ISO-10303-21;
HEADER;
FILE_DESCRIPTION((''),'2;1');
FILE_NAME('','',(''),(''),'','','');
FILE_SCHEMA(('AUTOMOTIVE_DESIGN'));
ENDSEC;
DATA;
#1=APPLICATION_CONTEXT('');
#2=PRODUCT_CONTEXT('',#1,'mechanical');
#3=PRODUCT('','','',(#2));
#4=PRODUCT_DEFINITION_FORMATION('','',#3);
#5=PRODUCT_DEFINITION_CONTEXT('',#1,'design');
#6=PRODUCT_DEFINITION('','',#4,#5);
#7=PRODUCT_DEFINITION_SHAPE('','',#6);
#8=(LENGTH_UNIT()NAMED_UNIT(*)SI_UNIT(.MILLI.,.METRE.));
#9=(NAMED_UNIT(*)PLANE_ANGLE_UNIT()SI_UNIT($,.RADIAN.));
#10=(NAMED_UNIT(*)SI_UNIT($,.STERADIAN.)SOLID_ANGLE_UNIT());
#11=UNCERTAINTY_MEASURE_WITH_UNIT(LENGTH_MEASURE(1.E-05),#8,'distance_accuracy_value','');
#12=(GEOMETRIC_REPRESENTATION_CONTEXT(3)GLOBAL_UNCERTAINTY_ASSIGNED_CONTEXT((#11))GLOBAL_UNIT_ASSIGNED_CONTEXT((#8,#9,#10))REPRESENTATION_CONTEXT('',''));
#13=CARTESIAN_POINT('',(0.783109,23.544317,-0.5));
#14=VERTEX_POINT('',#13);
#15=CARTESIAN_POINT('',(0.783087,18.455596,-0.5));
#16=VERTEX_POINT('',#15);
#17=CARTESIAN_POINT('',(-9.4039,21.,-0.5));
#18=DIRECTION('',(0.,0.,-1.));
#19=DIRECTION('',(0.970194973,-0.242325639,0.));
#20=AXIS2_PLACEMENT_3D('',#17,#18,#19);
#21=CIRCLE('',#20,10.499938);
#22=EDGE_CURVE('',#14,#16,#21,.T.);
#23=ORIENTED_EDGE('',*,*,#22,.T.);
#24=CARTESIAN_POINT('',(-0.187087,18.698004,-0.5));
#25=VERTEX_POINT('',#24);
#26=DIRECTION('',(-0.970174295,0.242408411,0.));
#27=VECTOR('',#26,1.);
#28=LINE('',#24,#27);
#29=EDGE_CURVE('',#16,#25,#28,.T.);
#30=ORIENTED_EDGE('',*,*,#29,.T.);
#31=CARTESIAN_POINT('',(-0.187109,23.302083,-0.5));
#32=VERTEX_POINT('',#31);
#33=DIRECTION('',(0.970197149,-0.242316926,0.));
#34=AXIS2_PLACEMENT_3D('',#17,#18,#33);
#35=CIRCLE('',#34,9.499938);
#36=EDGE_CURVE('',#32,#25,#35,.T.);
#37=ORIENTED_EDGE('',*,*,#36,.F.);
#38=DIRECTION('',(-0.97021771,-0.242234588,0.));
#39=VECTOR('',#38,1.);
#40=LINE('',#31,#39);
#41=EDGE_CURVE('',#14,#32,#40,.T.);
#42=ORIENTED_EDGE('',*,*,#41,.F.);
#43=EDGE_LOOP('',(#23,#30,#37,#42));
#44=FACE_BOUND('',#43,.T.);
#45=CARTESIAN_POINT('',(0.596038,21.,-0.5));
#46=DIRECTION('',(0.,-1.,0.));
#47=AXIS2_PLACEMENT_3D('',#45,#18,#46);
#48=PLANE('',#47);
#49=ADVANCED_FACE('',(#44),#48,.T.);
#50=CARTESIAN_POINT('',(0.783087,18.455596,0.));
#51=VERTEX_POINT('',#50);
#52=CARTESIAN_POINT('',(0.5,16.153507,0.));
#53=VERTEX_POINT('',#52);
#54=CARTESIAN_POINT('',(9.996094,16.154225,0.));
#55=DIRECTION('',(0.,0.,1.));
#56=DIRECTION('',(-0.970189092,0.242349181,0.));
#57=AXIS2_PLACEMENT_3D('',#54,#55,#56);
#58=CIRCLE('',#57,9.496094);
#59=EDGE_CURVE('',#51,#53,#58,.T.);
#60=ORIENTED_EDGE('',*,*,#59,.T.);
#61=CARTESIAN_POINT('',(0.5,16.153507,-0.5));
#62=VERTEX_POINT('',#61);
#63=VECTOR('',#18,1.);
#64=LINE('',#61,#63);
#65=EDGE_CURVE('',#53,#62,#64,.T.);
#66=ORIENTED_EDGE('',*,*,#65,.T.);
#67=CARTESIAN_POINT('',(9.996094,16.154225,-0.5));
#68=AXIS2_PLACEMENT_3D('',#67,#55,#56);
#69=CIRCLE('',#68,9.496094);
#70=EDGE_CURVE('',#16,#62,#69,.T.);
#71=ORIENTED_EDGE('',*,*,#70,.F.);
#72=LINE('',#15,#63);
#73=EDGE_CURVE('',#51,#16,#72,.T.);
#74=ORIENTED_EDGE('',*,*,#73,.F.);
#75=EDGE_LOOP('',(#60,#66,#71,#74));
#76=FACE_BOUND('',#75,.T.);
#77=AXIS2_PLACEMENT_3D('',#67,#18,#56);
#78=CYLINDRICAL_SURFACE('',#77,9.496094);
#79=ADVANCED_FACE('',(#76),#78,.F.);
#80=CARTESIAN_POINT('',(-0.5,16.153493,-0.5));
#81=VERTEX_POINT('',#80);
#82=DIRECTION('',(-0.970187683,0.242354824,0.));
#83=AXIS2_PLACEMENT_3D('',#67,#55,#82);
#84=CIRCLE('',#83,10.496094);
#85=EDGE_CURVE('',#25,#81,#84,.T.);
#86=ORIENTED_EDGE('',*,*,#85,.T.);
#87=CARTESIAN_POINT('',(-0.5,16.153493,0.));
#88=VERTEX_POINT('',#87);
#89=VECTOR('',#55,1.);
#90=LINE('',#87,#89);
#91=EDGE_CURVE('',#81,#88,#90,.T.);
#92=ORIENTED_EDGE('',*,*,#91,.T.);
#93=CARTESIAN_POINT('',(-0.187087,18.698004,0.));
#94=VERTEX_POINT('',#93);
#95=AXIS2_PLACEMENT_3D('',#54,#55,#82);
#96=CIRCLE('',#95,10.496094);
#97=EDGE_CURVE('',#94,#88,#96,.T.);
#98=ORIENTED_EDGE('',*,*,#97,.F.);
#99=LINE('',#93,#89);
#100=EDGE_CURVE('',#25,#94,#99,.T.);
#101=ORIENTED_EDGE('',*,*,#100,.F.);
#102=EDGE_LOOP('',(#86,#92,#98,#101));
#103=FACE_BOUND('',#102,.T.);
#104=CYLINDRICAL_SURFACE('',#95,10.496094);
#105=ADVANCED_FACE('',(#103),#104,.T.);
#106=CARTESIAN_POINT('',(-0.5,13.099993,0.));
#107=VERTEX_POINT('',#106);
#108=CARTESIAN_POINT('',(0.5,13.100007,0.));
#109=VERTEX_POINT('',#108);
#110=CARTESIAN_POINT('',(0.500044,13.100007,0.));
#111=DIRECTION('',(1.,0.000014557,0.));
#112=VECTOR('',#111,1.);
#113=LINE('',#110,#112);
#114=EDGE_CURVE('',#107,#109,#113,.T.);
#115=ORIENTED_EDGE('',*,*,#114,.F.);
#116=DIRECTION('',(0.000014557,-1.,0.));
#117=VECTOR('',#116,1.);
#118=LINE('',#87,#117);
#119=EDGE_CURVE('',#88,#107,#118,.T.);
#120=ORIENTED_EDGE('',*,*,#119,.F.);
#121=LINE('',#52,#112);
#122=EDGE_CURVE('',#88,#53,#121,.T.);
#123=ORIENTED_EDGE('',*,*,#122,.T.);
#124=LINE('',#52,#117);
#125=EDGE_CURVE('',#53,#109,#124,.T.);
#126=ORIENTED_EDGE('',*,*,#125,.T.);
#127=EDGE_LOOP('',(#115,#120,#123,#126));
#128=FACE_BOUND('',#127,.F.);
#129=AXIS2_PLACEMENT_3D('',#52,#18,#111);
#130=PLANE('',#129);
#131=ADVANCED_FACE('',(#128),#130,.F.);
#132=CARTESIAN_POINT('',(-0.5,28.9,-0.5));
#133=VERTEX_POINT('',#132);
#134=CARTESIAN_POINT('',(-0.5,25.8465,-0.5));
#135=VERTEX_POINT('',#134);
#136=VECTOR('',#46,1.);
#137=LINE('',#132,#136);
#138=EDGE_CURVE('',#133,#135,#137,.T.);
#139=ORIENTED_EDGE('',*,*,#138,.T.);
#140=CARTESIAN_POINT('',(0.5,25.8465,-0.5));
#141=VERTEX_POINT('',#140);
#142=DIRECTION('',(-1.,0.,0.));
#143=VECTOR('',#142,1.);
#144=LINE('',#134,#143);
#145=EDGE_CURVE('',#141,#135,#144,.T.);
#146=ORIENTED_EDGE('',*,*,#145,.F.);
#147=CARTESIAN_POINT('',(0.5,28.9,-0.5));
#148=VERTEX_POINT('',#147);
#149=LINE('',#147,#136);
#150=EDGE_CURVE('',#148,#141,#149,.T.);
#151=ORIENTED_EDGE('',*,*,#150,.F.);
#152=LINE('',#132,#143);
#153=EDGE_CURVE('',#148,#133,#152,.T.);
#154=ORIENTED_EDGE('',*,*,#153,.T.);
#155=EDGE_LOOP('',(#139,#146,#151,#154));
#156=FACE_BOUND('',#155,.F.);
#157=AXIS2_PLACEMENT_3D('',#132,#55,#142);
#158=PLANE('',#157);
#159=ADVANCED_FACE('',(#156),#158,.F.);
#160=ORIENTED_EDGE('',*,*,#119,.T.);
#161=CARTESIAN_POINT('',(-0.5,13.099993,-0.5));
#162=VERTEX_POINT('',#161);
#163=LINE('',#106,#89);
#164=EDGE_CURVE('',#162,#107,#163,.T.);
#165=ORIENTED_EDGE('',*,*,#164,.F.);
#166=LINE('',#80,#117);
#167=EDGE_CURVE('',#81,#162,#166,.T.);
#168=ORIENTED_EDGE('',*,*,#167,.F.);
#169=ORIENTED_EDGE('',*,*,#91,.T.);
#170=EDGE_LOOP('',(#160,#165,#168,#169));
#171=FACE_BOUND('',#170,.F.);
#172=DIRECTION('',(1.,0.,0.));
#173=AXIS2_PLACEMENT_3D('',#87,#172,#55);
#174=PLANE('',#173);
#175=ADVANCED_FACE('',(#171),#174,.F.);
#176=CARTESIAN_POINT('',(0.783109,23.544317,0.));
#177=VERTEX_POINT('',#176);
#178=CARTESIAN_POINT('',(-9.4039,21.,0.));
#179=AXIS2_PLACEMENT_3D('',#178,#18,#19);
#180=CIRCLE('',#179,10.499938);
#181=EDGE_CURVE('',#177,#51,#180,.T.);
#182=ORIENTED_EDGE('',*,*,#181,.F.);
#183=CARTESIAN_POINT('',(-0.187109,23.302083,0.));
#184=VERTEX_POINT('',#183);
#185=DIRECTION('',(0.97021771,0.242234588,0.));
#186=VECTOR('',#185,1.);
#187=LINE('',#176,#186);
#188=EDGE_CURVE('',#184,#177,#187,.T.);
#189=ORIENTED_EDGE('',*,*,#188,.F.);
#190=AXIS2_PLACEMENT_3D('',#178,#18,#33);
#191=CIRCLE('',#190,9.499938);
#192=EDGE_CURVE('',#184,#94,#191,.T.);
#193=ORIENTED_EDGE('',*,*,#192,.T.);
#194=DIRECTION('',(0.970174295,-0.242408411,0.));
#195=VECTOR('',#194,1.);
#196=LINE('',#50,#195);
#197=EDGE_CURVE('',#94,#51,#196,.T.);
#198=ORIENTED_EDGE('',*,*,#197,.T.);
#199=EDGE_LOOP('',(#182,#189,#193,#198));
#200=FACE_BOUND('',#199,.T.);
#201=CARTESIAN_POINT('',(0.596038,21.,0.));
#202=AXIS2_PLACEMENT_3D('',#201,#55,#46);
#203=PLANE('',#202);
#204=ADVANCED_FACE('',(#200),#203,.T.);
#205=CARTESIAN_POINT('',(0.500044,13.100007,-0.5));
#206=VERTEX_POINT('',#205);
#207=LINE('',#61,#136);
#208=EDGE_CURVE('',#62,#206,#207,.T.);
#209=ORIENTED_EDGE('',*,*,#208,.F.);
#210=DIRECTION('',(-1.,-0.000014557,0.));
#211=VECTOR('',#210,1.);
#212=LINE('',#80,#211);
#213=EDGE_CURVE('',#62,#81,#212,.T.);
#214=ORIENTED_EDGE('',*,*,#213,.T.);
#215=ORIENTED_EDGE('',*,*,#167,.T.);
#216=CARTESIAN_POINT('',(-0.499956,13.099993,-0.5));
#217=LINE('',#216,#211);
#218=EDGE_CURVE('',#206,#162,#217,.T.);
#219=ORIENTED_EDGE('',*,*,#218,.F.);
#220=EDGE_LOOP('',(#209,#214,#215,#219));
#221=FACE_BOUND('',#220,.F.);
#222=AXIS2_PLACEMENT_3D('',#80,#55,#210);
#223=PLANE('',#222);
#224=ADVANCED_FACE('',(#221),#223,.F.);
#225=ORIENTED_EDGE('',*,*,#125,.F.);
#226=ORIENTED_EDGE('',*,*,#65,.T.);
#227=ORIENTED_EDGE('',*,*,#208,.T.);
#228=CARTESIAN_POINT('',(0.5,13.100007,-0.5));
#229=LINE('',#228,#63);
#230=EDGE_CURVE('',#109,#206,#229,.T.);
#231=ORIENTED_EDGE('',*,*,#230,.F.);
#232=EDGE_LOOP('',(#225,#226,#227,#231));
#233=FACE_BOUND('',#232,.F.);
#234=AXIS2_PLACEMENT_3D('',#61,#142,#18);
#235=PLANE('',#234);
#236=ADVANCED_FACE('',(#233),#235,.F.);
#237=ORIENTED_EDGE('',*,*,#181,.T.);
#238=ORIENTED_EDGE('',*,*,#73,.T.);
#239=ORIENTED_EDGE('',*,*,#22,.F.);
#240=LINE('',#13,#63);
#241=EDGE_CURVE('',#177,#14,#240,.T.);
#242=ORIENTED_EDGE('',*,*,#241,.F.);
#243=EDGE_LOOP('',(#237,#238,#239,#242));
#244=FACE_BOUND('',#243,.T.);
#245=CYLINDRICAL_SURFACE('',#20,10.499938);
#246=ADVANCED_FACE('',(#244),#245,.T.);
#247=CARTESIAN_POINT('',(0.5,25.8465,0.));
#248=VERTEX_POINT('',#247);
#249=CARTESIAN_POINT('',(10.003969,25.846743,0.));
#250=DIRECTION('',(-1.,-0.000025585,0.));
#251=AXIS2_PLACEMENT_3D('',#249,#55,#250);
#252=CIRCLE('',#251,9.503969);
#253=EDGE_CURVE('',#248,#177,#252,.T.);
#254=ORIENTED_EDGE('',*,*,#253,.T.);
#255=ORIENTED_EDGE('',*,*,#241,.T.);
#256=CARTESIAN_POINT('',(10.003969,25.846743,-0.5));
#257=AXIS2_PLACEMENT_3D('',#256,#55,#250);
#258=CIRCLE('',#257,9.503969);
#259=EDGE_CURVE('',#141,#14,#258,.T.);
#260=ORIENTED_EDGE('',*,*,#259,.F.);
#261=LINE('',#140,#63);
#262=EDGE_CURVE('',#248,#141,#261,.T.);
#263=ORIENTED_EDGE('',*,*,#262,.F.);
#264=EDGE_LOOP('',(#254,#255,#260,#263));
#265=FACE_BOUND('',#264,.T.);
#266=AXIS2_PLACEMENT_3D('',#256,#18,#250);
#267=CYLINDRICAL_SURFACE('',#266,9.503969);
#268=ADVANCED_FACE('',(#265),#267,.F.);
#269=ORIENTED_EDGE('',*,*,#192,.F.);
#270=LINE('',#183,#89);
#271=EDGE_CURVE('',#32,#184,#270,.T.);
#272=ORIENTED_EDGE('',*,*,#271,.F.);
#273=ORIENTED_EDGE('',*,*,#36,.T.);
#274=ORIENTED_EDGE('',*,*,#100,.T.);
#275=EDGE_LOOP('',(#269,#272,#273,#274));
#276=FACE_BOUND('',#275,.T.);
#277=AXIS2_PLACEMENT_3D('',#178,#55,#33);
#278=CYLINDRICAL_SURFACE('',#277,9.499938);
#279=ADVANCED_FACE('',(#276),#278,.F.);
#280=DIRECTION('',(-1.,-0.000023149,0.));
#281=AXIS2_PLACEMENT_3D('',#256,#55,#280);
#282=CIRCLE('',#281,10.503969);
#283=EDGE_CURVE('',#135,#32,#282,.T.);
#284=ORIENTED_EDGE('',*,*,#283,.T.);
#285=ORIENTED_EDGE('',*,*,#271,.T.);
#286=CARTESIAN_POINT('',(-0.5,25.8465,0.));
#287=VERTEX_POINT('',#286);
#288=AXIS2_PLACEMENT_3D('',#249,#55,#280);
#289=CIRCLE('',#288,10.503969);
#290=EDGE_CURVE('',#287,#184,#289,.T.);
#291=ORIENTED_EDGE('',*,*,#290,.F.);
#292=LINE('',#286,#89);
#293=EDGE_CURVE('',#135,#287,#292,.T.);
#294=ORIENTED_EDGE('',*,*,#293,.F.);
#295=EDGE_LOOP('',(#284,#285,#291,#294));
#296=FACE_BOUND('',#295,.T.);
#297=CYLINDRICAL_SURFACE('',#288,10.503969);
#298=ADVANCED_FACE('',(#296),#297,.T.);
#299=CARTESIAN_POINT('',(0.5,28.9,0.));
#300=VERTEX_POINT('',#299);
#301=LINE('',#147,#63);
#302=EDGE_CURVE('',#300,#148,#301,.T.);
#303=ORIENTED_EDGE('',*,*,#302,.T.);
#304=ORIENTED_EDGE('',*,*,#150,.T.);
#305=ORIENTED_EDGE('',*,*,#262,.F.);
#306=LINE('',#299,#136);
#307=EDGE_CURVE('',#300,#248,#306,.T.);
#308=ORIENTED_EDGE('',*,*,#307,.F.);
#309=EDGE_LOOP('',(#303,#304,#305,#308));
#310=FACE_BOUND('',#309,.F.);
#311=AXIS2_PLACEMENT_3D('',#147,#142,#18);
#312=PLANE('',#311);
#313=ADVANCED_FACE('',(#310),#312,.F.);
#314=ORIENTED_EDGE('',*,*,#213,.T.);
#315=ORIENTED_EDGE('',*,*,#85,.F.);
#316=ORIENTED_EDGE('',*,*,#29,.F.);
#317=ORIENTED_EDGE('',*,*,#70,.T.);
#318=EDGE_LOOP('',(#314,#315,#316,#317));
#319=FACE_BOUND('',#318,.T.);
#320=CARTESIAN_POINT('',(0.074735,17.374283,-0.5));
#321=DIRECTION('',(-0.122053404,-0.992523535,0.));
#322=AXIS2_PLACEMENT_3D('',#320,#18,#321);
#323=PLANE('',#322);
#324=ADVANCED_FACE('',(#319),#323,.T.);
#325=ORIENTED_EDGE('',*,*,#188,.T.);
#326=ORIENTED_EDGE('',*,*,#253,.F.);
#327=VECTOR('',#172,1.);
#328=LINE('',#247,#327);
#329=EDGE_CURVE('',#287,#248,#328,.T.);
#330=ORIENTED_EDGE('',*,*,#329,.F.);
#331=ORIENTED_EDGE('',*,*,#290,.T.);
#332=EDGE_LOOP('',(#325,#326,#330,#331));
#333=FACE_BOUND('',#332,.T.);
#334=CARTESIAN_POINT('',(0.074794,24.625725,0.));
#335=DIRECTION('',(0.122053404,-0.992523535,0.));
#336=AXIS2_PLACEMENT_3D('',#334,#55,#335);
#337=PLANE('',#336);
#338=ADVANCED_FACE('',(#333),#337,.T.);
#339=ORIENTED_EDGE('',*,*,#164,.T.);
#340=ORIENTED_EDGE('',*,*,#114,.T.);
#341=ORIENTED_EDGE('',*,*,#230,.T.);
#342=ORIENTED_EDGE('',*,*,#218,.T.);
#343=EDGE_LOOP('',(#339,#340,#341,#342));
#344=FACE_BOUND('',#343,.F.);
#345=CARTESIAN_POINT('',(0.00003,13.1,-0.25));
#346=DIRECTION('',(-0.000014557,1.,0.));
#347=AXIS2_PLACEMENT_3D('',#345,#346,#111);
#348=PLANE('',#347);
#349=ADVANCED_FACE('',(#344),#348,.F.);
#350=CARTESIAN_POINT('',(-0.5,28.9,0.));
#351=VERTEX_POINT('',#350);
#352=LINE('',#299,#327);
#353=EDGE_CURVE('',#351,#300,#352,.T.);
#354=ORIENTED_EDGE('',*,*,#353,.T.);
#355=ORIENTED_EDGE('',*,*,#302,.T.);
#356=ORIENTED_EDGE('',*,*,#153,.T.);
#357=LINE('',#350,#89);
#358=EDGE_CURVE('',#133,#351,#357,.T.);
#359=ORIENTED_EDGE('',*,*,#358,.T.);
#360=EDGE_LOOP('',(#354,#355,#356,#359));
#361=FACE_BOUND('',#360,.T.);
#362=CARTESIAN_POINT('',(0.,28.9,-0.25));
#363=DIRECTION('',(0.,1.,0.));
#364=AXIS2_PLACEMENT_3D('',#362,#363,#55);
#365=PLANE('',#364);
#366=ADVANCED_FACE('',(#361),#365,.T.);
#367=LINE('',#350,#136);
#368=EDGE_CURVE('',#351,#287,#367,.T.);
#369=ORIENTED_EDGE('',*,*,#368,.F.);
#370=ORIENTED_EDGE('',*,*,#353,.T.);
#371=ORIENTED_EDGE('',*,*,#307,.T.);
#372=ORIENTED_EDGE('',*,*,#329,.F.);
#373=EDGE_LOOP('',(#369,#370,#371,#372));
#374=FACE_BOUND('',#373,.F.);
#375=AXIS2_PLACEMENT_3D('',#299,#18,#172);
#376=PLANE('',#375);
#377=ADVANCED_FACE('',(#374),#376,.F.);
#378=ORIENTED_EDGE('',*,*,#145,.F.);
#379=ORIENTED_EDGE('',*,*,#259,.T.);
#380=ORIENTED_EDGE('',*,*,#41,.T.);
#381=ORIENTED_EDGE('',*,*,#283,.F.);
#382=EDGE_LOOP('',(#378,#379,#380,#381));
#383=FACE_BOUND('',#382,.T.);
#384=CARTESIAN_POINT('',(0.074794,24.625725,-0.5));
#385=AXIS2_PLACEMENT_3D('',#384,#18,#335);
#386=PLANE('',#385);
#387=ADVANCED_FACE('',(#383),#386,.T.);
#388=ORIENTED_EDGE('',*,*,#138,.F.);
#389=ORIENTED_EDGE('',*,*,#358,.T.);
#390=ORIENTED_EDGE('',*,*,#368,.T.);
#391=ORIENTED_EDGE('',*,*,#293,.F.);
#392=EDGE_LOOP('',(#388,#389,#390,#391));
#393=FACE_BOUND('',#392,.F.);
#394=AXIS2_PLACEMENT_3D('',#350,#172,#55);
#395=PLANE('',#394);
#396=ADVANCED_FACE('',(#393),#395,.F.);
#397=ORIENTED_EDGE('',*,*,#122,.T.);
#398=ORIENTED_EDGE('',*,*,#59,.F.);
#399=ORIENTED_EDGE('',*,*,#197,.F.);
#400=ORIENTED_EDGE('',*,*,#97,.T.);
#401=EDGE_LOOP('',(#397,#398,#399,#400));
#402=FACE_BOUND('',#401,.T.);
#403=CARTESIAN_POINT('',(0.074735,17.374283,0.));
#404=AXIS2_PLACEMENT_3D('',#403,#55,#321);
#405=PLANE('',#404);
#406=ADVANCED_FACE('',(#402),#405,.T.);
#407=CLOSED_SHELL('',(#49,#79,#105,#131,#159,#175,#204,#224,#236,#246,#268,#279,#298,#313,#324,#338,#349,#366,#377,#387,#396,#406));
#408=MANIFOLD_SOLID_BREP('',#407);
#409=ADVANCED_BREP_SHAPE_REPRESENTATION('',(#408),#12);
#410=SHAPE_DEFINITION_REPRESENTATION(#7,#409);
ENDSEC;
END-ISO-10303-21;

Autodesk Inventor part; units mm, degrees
ref_plane "YZ Plane" through (0, 0, 0) normal (1, 0, 0) x (0, 1, 0)
ref_plane "XY Plane" through (0, 0, 0) normal (0, 0, 1) x (1, 0, 0)
sketch "Sketch1" plane through (0, 0, 0) normal (0, 0, 1) x (1, 0, 0)
  line L0 (0.9, 49.1) -> (0.9, 28.9) projected
  arc A0 (0.9, 49.1) -> (-0.9, 49.1) centre (0, 49.1) ccw projected
  line L1 (-0.9, 28.9) -> (-0.9, 49.1) projected
  arc A1 (-0.9, 28.9) -> (0.9, 28.9) centre (0, 28.9) ccw projected
  line L2 (0.9, 13.1) -> (0.9, -13.1) projected
  arc A2 (0.9, 13.1) -> (-0.9, 13.1) centre (0, 13.1) ccw projected
  line L3 (-0.9, -13.1) -> (-0.9, 13.1) projected
  arc A3 (-0.9, -13.1) -> (0.9, -13.1) centre (0, -13.1) ccw projected
  line L4 (0, 28.9) -> (0, 25.8465)
  arc A4 (0, 25.8465) -> (0.298, 23.4232) centre (10, 25.8465) ccw
  arc A5 (0.298, 18.5768) -> (0.298, 23.4232) centre (-9.4039, 21) ccw
  arc A6 (0.298, 18.5768) -> (0, 16.1535) centre (10, 16.1535) ccw
  line L5 (0, 16.1535) -> (0, 13.1)
  point P0 (0, 0)
  dimension "d0" = 10
  dimension "d1" = 10
ref_plane "Work Plane1" through (0, 28.9, 0) normal (0, 1, 0) x (-1, 0, 0)
sketch "Sketch2" plane through (0, 28.9, 0) normal (0, 1, 0) x (-1, 0, 0)
  line L0 (-0.5, 0) -> (0.5, 0)
  line L1 (0.5, 0) -> (0.5, -0.5)
  line L2 (0.5, -0.5) -> (-0.5, -0.5)
  line L3 (-0.5, -0.5) -> (-0.5, 0)
  point P0 (0, 0)
  point P1 (0, 0)
  dimension "d2" = 1
  dimension "d3" = 0.5
sweep "Sweep1" add profiles "Sketch2" path "Sketch1" path curves L4 A4 A5 A6 L5
properties part number "connector"
